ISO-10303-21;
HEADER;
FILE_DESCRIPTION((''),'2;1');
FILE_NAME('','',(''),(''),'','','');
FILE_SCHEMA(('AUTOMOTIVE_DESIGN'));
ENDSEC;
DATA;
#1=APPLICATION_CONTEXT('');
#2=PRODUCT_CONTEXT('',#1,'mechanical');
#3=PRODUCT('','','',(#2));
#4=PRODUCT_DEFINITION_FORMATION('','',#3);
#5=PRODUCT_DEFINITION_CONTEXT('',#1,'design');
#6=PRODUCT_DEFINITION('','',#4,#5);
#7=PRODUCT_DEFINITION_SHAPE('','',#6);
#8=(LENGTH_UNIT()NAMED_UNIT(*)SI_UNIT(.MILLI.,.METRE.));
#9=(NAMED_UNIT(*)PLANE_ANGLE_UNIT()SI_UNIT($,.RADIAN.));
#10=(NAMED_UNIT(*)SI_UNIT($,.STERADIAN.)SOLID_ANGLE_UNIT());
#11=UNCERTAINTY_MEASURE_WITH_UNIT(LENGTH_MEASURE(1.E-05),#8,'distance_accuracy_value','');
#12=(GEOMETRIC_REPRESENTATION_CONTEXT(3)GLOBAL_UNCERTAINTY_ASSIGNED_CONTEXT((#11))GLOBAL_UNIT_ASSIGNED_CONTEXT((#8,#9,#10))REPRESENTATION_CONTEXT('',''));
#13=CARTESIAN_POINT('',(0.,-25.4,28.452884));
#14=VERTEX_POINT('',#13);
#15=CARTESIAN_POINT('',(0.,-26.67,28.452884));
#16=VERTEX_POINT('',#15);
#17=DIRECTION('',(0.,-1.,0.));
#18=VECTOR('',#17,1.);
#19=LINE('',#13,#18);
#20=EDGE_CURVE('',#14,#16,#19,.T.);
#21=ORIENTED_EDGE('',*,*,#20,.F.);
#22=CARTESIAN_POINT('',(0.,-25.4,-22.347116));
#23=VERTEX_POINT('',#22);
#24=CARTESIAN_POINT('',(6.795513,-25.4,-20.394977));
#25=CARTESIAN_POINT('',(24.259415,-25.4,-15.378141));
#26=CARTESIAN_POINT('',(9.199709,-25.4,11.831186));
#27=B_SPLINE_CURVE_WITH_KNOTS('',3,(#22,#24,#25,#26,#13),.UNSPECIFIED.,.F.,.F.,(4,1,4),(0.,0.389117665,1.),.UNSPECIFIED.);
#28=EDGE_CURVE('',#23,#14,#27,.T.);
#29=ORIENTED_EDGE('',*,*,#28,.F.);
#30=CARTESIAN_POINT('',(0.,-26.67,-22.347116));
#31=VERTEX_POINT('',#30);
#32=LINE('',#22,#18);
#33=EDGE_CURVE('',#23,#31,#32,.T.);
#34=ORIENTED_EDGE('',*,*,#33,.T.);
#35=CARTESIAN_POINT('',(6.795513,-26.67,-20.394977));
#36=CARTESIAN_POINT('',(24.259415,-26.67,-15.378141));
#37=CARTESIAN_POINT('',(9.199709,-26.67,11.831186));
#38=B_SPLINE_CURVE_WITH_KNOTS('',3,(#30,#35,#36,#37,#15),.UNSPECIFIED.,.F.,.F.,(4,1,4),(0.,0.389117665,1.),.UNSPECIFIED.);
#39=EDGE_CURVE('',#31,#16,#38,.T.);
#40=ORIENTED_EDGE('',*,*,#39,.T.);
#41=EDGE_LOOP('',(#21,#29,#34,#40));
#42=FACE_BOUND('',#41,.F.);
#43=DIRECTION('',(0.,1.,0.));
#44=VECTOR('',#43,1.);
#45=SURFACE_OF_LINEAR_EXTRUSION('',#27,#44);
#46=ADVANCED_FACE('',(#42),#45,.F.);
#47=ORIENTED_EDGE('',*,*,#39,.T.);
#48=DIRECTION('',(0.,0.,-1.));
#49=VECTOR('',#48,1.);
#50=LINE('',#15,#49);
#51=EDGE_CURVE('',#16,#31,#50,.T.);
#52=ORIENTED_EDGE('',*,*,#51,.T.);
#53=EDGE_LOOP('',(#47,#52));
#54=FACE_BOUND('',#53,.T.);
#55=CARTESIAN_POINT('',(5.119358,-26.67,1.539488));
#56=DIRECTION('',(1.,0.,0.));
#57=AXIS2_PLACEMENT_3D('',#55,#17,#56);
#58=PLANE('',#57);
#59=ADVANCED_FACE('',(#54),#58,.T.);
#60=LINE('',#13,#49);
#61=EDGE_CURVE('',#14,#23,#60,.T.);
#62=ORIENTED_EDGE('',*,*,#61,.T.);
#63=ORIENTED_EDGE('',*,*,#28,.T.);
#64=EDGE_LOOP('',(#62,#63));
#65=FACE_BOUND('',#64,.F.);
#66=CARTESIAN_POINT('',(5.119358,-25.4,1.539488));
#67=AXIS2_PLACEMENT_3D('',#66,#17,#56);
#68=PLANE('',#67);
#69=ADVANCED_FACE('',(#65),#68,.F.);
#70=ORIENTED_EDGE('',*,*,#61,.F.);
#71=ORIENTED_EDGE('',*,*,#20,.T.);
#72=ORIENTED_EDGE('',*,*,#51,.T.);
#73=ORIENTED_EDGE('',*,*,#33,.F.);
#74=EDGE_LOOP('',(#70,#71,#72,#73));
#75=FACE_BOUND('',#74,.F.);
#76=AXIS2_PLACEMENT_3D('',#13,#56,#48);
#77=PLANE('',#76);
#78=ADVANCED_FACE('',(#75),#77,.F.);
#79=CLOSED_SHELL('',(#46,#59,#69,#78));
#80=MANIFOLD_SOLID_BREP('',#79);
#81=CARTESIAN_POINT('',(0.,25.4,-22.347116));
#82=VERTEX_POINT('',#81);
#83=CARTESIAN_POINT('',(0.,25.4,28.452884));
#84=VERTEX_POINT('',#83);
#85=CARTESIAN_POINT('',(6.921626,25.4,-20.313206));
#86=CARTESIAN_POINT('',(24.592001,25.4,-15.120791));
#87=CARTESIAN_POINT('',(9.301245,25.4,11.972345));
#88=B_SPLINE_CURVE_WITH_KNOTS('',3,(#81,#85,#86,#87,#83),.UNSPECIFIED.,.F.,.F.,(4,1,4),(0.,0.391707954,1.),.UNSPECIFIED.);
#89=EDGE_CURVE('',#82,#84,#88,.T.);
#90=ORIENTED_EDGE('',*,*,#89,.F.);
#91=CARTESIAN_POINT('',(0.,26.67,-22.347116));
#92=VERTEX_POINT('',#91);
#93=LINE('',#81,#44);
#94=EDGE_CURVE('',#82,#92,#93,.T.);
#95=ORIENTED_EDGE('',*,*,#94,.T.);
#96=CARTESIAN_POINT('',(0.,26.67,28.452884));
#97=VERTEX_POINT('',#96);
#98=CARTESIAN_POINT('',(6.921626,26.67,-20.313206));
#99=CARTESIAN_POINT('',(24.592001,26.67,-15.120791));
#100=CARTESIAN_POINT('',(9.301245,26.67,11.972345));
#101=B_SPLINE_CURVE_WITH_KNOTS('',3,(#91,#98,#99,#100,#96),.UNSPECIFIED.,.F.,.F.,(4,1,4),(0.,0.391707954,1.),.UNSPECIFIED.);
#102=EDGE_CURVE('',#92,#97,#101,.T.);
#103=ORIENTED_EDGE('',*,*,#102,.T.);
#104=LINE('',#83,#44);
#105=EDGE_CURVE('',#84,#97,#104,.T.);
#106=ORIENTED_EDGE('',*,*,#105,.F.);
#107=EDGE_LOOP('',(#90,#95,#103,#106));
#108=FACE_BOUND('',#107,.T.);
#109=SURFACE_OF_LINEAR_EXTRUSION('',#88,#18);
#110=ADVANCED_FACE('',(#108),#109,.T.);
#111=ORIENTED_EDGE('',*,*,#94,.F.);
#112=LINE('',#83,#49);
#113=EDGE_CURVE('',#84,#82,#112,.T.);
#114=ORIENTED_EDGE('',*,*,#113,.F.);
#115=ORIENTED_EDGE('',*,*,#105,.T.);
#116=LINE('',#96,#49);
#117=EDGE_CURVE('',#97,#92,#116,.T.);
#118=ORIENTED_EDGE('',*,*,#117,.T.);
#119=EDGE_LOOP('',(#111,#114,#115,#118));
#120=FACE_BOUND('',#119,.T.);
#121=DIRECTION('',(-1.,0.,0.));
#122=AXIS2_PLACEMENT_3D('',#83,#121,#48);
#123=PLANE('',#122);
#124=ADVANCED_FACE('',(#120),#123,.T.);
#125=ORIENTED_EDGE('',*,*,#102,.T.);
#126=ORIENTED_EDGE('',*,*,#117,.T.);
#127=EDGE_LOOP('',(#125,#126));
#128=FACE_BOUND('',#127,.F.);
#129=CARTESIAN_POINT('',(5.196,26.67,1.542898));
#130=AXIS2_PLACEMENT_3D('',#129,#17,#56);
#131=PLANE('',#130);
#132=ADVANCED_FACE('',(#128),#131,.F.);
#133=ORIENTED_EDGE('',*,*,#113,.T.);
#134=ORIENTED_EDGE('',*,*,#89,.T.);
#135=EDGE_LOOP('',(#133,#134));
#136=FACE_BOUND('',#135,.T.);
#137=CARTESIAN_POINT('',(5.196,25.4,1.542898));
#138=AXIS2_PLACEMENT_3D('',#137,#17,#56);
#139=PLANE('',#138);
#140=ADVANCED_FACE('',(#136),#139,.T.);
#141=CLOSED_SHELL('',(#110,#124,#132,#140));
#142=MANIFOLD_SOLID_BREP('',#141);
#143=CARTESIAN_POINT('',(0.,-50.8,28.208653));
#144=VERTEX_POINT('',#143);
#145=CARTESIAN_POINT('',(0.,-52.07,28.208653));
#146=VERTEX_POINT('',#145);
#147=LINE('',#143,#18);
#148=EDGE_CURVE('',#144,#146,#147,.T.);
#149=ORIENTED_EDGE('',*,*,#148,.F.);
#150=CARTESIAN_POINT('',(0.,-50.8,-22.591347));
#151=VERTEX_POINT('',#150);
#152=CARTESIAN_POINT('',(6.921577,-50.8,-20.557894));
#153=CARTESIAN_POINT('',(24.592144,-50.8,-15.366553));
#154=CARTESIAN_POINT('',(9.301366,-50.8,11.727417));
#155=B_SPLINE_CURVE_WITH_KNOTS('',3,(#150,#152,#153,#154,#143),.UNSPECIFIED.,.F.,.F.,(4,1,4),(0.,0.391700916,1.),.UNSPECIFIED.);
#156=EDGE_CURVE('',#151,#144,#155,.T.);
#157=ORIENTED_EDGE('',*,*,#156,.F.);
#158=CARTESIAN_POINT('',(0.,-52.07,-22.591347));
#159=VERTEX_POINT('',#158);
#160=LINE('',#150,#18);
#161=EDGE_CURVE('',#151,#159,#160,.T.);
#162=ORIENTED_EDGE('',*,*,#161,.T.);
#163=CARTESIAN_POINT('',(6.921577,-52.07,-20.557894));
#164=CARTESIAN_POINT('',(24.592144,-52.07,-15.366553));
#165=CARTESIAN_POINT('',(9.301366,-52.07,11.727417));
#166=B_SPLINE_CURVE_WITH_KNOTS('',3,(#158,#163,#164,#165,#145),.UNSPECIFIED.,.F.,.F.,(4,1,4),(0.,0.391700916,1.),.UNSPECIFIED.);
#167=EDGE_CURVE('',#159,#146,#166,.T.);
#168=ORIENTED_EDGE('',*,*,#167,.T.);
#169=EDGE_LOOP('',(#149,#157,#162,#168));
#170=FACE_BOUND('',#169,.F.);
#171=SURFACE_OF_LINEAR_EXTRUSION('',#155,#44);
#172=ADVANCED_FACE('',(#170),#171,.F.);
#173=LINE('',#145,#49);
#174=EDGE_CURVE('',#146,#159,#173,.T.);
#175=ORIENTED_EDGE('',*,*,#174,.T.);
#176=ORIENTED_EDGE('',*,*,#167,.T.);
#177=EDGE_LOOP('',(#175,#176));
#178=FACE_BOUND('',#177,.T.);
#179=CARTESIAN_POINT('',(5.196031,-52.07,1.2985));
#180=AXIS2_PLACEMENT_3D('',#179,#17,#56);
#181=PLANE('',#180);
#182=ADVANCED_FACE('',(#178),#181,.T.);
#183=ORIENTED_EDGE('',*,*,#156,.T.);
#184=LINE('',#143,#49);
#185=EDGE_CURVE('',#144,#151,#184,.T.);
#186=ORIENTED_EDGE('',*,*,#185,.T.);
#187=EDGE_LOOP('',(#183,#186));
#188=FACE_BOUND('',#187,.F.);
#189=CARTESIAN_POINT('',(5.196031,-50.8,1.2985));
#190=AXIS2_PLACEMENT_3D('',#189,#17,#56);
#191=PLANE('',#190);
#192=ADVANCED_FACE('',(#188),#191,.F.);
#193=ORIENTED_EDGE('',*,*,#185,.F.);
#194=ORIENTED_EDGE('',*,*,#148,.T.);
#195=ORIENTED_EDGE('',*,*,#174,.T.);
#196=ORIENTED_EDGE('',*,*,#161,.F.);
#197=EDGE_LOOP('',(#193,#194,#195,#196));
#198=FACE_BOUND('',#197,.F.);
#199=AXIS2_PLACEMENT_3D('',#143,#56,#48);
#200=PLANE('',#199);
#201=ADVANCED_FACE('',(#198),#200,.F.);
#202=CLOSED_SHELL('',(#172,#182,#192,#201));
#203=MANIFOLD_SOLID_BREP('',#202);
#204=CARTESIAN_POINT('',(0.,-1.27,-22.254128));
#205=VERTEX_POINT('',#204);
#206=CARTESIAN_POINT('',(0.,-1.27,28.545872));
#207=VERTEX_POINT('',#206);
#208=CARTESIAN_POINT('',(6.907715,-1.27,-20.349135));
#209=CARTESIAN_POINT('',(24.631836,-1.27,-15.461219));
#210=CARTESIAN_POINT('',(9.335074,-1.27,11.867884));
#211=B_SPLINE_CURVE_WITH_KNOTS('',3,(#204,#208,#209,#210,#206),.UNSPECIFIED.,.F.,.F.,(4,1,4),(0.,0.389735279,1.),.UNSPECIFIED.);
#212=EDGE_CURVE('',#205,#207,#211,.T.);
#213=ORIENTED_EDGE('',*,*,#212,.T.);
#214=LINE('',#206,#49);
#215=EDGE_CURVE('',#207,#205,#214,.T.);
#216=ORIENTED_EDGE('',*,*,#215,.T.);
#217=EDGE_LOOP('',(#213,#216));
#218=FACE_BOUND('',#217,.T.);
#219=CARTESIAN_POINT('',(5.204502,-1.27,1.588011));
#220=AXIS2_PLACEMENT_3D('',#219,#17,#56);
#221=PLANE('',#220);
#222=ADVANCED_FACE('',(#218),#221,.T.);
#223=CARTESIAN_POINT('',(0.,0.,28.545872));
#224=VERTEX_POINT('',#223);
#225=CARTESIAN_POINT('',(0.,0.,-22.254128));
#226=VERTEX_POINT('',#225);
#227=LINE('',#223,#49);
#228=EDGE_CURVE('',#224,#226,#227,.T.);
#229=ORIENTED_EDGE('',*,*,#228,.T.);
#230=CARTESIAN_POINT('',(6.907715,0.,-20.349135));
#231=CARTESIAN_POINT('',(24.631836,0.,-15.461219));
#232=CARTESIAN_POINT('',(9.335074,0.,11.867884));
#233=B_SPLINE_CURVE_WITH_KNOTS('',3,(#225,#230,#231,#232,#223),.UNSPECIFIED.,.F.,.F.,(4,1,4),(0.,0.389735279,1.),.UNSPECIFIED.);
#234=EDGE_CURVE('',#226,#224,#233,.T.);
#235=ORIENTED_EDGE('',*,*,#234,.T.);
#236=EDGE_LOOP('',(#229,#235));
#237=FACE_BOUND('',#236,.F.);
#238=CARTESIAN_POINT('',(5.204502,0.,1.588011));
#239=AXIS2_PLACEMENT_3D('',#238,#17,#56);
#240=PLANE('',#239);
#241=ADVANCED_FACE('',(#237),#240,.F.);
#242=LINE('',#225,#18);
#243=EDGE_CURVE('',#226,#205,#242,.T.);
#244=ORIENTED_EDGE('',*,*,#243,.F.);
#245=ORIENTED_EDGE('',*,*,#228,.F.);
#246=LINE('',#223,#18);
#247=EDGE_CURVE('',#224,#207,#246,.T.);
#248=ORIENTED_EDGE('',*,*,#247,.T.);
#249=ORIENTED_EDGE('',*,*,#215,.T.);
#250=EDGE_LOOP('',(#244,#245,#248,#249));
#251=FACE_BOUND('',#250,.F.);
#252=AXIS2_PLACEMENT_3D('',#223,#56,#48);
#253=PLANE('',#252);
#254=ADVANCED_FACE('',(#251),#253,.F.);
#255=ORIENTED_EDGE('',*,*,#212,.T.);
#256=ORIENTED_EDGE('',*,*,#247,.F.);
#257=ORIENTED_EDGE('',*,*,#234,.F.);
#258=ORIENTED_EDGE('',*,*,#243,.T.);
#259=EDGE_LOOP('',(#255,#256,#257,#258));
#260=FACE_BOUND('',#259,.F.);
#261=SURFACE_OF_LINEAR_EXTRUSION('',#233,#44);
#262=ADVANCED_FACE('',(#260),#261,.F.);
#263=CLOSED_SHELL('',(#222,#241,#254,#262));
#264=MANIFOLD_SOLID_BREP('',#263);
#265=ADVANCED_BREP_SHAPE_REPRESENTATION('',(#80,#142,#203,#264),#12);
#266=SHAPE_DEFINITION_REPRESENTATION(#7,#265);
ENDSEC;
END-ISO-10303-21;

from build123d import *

# Parameters (mm, degrees)
F7_DEPTH  = 1.27
F8_DEPTH  = 1.27
F9_DEPTH  = 1.27
F10_DEPTH = 1.27


with BuildPart() as f7:
    # F6 (on offset) → F7 (new body)
    with BuildSketch(Plane.XZ.offset(50.8)):
        with BuildLine():
            Line((0, 28.2086534786), (0, -22.5913465214))
            add(Edge.make_bspline(
                [(0, -22.5913465214), (6.9215770732, -20.5578935876), (24.592143562, -15.3665528153), (9.301365994, 11.7274166566), (0, 28.2086534786)],
                knots=[0, 0, 0, 0, 0.3917009156, 1, 1, 1, 1], degree=3))
        make_face()
    extrude(amount=F7_DEPTH)


with BuildPart() as f8:
    # F4 (on offset) → F8 (new body)
    with BuildSketch(Plane.XZ.offset(-25.4)):
        with BuildLine():
            Line((0, 28.4528839136), (0, -22.3471160864))
            add(Edge.make_bspline(
                [(0, -22.3471160864), (6.9216263577, -20.3132058989), (24.5920011472, -15.1207910756), (9.3012452111, 11.9723448393), (0, 28.4528839136)],
                knots=[0, 0, 0, 0, 0.3917079541, 1, 1, 1, 1], degree=3))
        make_face()
    extrude(amount=-F8_DEPTH)


with BuildPart() as f9:
    # F0 (on Front) → F9 (new body)
    with BuildSketch(Plane.XZ):
        with BuildLine():
            Line((0, 28.5458717371), (0, -22.2541282629))
            add(Edge.make_bspline(
                [(0, -22.2541282629), (6.9077151611, -20.3491349985), (24.6318359356, -15.4612191093), (9.3350740929, 11.8678841629), (0, 28.5458717371)],
                knots=[0, 0, 0, 0, 0.3897352793, 1, 1, 1, 1], degree=3))
        make_face()
    extrude(amount=F9_DEPTH)


with BuildPart() as f10:
    # F2 (on offset) → F10 (new body)
    with BuildSketch(Plane.XZ.offset(25.4)):
        with BuildLine():
            Line((0, 28.4528839136), (0, -22.3471160864))
            add(Edge.make_bspline(
                [(0, -22.3471160864), (6.7955129572, -20.3949767035), (24.2594154309, -15.3781410338), (9.199708767, 11.8311864277), (0, 28.4528839136)],
                knots=[0, 0, 0, 0, 0.3891176653, 1, 1, 1, 1], degree=3))
        make_face()
    extrude(amount=F10_DEPTH)


solid = Compound([f7.part, f8.part, f9.part, f10.part])
